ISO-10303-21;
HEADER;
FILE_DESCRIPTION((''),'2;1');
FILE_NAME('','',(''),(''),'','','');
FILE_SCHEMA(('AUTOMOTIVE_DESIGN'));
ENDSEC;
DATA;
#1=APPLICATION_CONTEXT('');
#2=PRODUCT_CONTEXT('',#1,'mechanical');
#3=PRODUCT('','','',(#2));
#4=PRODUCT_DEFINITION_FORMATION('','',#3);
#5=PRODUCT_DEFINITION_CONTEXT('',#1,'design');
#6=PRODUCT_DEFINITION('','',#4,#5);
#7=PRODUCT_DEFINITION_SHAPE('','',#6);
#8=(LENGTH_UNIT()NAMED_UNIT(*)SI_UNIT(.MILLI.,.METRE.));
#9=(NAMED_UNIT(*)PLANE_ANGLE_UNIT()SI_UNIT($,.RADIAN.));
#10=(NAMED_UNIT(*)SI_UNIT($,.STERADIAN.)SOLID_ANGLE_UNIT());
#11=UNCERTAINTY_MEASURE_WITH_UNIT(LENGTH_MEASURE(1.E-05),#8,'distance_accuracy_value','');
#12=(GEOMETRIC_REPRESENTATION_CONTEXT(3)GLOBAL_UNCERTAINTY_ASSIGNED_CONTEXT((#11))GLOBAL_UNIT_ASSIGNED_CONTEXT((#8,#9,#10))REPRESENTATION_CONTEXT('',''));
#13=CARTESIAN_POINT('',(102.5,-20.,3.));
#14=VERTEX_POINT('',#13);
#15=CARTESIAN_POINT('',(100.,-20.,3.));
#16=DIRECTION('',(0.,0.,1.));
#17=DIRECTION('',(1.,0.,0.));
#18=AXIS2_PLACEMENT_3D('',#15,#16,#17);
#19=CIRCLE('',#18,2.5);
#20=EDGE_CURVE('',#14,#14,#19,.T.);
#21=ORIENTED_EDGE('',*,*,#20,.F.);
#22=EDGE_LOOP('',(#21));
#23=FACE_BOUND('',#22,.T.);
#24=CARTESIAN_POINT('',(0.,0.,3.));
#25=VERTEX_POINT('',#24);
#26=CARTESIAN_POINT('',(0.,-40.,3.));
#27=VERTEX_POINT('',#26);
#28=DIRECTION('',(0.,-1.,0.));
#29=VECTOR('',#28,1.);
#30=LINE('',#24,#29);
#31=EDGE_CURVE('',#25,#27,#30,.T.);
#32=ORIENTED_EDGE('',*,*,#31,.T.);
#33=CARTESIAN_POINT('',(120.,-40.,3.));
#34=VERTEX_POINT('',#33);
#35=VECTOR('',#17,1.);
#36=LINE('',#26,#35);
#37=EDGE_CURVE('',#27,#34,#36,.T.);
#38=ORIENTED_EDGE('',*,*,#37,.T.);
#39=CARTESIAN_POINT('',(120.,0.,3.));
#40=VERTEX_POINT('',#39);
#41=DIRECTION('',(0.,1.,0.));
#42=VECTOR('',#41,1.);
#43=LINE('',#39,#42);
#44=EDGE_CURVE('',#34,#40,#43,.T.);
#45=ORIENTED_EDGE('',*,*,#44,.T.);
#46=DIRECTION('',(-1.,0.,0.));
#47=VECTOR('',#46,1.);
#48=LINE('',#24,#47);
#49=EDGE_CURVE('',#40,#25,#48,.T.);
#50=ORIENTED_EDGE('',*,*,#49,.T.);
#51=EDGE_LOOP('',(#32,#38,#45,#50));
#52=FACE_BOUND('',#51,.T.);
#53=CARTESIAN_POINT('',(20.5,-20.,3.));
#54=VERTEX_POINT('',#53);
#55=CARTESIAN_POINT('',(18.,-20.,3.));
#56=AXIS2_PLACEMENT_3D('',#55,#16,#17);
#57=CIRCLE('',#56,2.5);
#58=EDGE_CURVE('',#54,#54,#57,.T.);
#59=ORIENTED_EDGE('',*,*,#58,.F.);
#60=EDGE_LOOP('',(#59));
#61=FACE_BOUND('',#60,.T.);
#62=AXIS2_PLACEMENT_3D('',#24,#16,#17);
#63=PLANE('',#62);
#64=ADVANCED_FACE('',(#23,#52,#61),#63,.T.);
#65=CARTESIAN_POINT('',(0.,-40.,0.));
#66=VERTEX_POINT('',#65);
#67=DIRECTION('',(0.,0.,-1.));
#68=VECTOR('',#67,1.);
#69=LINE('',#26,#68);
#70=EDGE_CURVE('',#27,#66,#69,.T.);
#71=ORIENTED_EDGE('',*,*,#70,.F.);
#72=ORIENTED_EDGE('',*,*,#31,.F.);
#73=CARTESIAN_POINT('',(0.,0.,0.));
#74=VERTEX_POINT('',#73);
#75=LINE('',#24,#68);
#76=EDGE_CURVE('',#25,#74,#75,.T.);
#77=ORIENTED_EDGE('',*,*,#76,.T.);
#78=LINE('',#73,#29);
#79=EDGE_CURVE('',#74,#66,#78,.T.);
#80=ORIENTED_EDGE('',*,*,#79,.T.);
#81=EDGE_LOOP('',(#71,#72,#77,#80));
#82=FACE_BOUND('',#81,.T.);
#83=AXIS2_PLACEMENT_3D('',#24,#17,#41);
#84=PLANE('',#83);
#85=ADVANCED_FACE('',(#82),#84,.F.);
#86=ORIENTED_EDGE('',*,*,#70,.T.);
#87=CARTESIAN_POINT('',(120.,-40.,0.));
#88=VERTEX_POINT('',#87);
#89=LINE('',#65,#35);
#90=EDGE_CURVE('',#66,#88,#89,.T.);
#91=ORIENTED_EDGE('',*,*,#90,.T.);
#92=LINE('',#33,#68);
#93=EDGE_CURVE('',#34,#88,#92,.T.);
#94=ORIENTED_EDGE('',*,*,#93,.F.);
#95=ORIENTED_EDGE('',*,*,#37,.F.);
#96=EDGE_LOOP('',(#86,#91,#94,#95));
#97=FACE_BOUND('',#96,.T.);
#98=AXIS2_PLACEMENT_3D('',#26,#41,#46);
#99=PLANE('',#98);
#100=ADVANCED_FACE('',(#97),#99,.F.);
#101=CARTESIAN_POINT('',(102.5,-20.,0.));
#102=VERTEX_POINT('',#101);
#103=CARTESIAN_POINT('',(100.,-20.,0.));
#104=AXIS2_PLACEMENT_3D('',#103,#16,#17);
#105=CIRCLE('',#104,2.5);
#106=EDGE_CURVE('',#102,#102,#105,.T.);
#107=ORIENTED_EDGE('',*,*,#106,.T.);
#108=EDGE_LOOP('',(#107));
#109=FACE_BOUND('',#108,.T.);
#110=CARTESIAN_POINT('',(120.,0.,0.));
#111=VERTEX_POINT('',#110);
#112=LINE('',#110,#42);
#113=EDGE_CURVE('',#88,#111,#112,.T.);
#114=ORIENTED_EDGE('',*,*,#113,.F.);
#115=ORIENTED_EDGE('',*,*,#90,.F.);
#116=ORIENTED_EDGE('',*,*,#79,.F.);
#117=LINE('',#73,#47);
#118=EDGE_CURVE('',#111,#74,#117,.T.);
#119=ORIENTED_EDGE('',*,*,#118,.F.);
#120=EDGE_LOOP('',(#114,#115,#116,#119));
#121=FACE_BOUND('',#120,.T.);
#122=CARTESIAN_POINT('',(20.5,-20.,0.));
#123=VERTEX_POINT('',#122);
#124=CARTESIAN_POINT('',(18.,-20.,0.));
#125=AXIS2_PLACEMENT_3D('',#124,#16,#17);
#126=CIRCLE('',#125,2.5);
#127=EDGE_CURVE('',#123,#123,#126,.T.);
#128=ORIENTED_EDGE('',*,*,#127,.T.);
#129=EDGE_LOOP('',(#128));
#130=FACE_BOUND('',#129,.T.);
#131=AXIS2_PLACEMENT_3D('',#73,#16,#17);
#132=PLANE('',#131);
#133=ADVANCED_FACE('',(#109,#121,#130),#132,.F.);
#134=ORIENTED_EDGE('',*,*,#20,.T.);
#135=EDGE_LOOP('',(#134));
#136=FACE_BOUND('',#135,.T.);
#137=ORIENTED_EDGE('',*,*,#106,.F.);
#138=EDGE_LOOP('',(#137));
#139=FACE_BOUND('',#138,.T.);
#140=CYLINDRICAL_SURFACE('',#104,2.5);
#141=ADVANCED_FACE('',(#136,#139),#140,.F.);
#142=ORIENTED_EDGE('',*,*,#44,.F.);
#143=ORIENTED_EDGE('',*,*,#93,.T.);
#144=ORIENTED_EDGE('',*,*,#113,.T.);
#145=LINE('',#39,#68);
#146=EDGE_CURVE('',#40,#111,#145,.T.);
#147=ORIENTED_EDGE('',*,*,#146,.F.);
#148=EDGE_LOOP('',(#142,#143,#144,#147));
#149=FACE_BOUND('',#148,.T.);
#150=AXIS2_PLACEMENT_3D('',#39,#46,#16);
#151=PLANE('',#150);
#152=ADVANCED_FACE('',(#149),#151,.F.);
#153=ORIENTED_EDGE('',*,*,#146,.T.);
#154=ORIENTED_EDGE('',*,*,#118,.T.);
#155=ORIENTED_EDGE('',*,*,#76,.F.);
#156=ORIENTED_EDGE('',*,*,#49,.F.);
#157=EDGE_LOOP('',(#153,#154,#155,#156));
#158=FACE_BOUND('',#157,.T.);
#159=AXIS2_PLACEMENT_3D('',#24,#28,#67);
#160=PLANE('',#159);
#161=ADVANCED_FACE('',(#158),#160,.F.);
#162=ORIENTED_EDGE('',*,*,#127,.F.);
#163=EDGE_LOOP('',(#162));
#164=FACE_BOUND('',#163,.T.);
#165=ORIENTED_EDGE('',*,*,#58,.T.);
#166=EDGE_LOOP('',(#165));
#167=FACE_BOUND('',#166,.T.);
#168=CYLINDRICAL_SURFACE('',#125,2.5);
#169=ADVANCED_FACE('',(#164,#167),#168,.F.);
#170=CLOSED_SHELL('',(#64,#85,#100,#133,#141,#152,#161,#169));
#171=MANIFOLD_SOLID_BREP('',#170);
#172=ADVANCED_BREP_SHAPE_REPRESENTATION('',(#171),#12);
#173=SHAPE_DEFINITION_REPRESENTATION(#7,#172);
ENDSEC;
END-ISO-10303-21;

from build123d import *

# Parameters (mm, degrees)
SCHIZZO1_W                   = 120
SCHIZZO1_H                   = 40
ESTRUSIONE_ESTRUSIONE1_DEPTH = 3
SCHIZZO2_R                   = 2.5
TAGLIO_ESTRUSIONE1_DEPTH     = 3
SCHIZZO3_R                   = 2.5
TAGLIO_ESTRUSIONE2_DEPTH     = 3


with BuildPart() as part:
    # Schizzo1 → Estrusione-Estrusione1 (new body)
    with BuildSketch(Plane.XY):
        with Locations((60, -20)):
            Rectangle(SCHIZZO1_W, SCHIZZO1_H)
    extrude(amount=ESTRUSIONE_ESTRUSIONE1_DEPTH)

    # Schizzo2 → Taglio-Estrusione1 (cut)
    with BuildSketch(Plane.XY.offset(3)):
        with Locations((18, -20)):
            Circle(SCHIZZO2_R)
    extrude(amount=-TAGLIO_ESTRUSIONE1_DEPTH, mode=Mode.SUBTRACT)

    # Schizzo3 → Taglio-Estrusione2 (cut)
    with BuildSketch(Plane.XY.offset(3)):
        with Locations((100, -20)):
            Circle(SCHIZZO3_R)
    extrude(amount=-TAGLIO_ESTRUSIONE2_DEPTH, mode=Mode.SUBTRACT)


solid = part.part
